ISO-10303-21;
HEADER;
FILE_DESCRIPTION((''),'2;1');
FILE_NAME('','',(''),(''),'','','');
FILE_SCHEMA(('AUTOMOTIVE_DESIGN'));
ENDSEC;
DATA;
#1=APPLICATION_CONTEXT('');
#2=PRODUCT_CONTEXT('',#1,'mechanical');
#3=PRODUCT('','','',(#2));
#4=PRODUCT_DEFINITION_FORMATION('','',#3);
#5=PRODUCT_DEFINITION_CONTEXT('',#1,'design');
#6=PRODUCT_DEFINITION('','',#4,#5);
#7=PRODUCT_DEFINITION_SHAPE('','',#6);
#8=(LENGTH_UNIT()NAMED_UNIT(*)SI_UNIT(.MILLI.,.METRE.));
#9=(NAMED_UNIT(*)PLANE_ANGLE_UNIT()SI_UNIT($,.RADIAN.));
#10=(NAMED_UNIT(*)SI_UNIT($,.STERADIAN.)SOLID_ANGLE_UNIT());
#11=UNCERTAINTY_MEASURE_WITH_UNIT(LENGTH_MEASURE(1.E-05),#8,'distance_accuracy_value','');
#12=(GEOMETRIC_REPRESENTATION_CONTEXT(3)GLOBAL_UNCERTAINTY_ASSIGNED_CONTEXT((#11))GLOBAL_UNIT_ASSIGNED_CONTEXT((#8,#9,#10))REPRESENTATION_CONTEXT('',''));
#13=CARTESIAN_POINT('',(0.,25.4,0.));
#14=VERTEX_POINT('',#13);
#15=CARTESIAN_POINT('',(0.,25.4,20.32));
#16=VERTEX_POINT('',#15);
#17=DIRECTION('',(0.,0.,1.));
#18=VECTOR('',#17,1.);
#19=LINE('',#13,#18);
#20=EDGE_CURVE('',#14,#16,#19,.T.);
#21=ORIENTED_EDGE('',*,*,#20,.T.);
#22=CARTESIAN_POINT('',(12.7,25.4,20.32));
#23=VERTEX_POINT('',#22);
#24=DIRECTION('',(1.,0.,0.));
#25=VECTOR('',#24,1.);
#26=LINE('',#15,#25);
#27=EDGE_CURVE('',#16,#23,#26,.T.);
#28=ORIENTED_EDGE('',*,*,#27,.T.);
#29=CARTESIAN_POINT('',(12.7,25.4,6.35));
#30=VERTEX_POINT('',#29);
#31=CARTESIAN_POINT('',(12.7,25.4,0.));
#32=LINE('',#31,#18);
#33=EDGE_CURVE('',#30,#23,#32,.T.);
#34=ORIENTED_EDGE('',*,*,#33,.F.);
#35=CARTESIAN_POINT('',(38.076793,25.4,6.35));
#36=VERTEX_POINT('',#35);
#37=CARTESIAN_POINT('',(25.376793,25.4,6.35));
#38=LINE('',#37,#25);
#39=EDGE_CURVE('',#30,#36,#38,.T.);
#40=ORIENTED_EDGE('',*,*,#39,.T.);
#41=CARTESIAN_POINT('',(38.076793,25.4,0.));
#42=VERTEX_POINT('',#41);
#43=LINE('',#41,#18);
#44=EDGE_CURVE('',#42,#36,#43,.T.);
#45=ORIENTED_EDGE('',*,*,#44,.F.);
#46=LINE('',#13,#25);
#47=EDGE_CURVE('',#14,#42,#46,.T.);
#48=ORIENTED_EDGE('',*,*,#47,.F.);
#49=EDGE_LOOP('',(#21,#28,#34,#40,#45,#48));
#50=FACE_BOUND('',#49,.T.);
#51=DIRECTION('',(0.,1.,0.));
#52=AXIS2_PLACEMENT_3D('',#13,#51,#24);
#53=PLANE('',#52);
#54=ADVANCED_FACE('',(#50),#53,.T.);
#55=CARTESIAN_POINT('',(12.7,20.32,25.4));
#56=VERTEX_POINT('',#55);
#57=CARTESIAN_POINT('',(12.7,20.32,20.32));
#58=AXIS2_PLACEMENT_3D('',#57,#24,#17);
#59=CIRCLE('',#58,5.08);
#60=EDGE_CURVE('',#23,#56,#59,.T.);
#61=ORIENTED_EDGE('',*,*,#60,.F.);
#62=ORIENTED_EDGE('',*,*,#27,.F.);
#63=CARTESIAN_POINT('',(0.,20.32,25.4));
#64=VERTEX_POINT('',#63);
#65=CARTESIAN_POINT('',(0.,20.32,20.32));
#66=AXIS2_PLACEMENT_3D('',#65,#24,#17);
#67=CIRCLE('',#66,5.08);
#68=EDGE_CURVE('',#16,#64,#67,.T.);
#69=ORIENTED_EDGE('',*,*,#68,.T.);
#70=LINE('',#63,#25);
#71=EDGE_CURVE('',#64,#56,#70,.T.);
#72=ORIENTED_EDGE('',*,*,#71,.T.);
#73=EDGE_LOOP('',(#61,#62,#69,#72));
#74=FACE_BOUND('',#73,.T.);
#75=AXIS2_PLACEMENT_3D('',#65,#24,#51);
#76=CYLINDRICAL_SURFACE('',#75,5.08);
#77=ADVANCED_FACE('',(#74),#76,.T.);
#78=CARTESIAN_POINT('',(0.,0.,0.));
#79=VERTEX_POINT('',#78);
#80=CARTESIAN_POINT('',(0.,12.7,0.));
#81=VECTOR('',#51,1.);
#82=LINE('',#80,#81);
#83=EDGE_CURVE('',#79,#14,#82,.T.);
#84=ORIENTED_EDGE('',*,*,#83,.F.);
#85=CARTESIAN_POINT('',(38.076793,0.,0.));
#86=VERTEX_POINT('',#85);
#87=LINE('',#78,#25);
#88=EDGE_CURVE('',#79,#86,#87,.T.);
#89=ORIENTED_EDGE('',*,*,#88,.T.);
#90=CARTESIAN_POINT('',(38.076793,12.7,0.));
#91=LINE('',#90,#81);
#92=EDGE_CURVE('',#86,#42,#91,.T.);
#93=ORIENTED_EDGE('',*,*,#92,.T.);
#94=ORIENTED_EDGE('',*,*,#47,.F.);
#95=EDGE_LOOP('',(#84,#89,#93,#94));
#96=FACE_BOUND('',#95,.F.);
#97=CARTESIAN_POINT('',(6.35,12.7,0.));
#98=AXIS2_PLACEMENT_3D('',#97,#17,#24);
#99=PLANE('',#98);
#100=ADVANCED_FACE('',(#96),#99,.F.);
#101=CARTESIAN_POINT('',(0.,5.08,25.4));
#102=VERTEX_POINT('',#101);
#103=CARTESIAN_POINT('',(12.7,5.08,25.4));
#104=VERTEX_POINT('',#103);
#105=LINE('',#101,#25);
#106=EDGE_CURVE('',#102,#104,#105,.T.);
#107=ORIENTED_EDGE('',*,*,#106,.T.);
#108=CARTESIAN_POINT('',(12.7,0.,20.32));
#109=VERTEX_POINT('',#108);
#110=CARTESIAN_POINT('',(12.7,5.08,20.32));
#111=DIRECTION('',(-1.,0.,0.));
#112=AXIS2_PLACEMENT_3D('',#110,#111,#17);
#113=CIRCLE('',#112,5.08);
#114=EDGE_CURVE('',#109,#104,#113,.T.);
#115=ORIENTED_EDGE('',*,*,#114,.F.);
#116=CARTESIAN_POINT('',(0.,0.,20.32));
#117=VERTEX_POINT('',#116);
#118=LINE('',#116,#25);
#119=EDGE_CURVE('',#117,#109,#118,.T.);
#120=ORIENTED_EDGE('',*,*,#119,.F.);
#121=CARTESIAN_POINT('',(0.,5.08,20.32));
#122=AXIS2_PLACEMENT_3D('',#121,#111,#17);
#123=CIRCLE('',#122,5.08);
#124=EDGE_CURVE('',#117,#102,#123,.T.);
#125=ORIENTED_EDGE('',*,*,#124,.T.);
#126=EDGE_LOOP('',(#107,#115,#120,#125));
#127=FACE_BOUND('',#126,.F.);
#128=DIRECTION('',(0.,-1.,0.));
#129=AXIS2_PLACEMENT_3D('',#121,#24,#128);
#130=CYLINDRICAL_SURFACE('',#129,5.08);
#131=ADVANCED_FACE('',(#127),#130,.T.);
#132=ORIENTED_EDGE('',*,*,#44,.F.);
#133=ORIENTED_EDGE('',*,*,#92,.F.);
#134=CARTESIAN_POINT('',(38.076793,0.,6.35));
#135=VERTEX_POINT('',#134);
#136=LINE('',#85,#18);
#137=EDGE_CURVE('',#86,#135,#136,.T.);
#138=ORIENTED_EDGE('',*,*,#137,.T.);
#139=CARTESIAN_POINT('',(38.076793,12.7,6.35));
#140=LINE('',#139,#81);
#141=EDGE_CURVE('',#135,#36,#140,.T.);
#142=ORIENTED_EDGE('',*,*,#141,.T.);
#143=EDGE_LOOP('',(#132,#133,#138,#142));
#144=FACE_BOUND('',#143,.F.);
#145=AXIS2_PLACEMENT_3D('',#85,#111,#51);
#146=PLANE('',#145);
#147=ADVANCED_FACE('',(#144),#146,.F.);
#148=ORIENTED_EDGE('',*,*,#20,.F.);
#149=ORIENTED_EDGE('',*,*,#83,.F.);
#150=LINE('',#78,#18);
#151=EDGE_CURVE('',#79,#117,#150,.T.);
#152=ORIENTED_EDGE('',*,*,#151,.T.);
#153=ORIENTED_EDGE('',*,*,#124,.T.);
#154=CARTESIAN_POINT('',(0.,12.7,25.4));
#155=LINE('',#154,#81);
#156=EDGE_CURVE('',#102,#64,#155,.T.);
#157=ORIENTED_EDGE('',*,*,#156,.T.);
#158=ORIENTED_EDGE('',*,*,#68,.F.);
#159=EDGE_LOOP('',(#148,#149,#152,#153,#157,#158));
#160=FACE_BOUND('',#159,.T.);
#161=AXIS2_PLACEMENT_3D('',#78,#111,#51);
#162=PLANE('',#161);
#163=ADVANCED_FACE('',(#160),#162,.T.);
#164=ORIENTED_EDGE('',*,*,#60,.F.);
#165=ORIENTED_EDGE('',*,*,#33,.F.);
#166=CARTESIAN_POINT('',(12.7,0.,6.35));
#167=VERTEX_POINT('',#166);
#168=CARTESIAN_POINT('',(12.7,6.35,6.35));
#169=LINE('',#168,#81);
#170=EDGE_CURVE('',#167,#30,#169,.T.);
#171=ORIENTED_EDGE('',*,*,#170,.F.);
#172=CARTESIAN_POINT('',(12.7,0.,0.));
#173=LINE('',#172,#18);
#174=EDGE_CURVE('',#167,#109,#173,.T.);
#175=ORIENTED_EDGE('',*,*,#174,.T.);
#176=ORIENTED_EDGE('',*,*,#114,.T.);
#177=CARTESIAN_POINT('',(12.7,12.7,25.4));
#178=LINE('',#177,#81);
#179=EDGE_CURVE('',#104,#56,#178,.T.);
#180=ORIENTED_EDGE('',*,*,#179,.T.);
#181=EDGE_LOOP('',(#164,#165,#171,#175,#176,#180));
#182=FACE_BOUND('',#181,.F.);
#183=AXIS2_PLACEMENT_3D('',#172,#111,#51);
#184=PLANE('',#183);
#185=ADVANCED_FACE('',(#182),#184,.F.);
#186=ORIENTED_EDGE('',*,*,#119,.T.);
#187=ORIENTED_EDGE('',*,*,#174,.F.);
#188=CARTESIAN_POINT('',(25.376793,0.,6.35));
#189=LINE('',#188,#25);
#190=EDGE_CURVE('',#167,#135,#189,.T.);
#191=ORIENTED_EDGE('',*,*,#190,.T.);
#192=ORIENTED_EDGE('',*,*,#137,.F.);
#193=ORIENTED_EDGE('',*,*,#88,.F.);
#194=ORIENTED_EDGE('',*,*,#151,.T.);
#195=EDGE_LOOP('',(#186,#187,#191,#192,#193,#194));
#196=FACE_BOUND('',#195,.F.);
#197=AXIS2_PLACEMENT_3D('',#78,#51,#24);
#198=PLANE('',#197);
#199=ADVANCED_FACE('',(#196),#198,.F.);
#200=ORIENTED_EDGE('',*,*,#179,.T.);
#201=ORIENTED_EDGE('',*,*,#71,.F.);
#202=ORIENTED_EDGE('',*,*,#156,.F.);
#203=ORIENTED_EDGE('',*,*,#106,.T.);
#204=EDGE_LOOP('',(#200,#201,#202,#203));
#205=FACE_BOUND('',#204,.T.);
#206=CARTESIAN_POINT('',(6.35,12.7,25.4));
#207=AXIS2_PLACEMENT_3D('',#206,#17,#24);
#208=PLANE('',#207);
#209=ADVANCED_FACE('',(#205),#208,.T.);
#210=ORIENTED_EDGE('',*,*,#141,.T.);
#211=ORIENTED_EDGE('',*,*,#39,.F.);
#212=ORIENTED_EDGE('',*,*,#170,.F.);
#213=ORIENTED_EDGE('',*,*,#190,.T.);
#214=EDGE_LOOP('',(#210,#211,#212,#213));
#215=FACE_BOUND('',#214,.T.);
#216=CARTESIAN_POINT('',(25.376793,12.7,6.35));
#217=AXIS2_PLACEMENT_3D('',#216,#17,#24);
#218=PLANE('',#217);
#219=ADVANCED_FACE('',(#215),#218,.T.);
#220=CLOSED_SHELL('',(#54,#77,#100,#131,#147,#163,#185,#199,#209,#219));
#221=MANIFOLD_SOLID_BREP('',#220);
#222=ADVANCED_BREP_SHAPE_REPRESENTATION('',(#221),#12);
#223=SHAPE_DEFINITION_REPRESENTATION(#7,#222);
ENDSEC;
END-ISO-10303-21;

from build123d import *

# Parameters (mm, degrees)
F0_W     = 12.7
F0_H     = 25.4
F2_DEPTH = 25.4
F1_W     = 25.4
F1_H     = 25.4
F3_DEPTH = 6.35
F4_R     = 5.08


with BuildPart() as f2:
    # F0 (on Top) → F2 (new body)
    with BuildSketch(Plane.XY):
        with Locations((6.35, 12.7)):
            Rectangle(F0_W, F0_H)
    extrude(amount=F2_DEPTH)

    # F1 (on Top) → F3 (join)
    with BuildSketch(Plane.XY):
        with Locations((25.376793, 12.7)):
            Rectangle(F1_W, F1_H)
    extrude(amount=F3_DEPTH)

    # F4
    f4_edges = [f2.edges().sort_by_distance(p)[0] for p in [
        (6.35, 0, 25.4),
        (6.35, 25.4, 25.4),
    ]]
    fillet(f4_edges, radius=F4_R)


solid = f2.part
